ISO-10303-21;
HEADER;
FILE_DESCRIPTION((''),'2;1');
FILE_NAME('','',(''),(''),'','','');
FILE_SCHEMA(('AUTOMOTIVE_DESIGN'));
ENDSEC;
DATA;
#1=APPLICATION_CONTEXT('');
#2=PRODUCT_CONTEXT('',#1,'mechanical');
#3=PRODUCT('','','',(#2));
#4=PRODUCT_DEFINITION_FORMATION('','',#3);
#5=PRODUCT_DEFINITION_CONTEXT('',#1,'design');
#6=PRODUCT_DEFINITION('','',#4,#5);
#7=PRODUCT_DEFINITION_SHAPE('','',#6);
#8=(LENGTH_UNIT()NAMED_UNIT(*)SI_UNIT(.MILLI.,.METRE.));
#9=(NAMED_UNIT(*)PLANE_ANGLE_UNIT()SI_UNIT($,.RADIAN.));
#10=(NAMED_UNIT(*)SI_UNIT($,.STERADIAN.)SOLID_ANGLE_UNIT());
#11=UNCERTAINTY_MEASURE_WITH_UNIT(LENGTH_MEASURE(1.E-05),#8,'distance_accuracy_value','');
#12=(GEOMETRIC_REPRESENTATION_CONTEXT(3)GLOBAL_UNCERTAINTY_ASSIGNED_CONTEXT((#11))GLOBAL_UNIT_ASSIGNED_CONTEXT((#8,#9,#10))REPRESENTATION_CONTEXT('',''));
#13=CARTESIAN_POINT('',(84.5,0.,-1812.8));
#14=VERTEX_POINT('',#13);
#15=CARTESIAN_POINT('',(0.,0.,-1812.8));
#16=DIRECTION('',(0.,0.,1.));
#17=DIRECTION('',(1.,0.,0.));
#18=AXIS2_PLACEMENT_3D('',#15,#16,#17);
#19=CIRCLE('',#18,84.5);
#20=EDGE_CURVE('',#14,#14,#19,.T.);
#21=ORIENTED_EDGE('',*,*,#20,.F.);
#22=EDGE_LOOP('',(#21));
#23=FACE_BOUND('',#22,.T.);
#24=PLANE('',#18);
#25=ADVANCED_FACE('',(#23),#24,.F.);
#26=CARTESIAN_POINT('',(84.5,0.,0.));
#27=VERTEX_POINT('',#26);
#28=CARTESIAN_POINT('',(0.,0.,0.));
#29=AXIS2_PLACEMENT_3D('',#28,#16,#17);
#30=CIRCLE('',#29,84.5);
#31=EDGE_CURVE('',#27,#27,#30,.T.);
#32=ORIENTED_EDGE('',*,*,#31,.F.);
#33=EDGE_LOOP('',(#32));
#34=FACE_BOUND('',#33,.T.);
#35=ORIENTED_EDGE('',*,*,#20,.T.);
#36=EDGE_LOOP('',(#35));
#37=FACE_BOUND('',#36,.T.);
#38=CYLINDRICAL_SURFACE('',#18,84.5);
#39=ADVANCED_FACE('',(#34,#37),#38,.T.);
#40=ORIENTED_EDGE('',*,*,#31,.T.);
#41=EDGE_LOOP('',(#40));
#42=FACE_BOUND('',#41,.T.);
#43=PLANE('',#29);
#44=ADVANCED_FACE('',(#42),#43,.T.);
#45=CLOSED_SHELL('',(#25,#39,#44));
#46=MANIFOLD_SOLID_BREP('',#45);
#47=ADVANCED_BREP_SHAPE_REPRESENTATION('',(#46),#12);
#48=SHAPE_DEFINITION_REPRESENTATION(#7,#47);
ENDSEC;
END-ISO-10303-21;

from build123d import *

# Parameters (mm, degrees)
OUTERD_R       = 84.5
BODYTUBE_DEPTH = 1812.8


with BuildPart() as part:
    # outerd → bodytube (new body)
    with BuildSketch(Plane.XY):
        Circle(OUTERD_R)
    extrude(amount=-BODYTUBE_DEPTH)


solid = part.part
